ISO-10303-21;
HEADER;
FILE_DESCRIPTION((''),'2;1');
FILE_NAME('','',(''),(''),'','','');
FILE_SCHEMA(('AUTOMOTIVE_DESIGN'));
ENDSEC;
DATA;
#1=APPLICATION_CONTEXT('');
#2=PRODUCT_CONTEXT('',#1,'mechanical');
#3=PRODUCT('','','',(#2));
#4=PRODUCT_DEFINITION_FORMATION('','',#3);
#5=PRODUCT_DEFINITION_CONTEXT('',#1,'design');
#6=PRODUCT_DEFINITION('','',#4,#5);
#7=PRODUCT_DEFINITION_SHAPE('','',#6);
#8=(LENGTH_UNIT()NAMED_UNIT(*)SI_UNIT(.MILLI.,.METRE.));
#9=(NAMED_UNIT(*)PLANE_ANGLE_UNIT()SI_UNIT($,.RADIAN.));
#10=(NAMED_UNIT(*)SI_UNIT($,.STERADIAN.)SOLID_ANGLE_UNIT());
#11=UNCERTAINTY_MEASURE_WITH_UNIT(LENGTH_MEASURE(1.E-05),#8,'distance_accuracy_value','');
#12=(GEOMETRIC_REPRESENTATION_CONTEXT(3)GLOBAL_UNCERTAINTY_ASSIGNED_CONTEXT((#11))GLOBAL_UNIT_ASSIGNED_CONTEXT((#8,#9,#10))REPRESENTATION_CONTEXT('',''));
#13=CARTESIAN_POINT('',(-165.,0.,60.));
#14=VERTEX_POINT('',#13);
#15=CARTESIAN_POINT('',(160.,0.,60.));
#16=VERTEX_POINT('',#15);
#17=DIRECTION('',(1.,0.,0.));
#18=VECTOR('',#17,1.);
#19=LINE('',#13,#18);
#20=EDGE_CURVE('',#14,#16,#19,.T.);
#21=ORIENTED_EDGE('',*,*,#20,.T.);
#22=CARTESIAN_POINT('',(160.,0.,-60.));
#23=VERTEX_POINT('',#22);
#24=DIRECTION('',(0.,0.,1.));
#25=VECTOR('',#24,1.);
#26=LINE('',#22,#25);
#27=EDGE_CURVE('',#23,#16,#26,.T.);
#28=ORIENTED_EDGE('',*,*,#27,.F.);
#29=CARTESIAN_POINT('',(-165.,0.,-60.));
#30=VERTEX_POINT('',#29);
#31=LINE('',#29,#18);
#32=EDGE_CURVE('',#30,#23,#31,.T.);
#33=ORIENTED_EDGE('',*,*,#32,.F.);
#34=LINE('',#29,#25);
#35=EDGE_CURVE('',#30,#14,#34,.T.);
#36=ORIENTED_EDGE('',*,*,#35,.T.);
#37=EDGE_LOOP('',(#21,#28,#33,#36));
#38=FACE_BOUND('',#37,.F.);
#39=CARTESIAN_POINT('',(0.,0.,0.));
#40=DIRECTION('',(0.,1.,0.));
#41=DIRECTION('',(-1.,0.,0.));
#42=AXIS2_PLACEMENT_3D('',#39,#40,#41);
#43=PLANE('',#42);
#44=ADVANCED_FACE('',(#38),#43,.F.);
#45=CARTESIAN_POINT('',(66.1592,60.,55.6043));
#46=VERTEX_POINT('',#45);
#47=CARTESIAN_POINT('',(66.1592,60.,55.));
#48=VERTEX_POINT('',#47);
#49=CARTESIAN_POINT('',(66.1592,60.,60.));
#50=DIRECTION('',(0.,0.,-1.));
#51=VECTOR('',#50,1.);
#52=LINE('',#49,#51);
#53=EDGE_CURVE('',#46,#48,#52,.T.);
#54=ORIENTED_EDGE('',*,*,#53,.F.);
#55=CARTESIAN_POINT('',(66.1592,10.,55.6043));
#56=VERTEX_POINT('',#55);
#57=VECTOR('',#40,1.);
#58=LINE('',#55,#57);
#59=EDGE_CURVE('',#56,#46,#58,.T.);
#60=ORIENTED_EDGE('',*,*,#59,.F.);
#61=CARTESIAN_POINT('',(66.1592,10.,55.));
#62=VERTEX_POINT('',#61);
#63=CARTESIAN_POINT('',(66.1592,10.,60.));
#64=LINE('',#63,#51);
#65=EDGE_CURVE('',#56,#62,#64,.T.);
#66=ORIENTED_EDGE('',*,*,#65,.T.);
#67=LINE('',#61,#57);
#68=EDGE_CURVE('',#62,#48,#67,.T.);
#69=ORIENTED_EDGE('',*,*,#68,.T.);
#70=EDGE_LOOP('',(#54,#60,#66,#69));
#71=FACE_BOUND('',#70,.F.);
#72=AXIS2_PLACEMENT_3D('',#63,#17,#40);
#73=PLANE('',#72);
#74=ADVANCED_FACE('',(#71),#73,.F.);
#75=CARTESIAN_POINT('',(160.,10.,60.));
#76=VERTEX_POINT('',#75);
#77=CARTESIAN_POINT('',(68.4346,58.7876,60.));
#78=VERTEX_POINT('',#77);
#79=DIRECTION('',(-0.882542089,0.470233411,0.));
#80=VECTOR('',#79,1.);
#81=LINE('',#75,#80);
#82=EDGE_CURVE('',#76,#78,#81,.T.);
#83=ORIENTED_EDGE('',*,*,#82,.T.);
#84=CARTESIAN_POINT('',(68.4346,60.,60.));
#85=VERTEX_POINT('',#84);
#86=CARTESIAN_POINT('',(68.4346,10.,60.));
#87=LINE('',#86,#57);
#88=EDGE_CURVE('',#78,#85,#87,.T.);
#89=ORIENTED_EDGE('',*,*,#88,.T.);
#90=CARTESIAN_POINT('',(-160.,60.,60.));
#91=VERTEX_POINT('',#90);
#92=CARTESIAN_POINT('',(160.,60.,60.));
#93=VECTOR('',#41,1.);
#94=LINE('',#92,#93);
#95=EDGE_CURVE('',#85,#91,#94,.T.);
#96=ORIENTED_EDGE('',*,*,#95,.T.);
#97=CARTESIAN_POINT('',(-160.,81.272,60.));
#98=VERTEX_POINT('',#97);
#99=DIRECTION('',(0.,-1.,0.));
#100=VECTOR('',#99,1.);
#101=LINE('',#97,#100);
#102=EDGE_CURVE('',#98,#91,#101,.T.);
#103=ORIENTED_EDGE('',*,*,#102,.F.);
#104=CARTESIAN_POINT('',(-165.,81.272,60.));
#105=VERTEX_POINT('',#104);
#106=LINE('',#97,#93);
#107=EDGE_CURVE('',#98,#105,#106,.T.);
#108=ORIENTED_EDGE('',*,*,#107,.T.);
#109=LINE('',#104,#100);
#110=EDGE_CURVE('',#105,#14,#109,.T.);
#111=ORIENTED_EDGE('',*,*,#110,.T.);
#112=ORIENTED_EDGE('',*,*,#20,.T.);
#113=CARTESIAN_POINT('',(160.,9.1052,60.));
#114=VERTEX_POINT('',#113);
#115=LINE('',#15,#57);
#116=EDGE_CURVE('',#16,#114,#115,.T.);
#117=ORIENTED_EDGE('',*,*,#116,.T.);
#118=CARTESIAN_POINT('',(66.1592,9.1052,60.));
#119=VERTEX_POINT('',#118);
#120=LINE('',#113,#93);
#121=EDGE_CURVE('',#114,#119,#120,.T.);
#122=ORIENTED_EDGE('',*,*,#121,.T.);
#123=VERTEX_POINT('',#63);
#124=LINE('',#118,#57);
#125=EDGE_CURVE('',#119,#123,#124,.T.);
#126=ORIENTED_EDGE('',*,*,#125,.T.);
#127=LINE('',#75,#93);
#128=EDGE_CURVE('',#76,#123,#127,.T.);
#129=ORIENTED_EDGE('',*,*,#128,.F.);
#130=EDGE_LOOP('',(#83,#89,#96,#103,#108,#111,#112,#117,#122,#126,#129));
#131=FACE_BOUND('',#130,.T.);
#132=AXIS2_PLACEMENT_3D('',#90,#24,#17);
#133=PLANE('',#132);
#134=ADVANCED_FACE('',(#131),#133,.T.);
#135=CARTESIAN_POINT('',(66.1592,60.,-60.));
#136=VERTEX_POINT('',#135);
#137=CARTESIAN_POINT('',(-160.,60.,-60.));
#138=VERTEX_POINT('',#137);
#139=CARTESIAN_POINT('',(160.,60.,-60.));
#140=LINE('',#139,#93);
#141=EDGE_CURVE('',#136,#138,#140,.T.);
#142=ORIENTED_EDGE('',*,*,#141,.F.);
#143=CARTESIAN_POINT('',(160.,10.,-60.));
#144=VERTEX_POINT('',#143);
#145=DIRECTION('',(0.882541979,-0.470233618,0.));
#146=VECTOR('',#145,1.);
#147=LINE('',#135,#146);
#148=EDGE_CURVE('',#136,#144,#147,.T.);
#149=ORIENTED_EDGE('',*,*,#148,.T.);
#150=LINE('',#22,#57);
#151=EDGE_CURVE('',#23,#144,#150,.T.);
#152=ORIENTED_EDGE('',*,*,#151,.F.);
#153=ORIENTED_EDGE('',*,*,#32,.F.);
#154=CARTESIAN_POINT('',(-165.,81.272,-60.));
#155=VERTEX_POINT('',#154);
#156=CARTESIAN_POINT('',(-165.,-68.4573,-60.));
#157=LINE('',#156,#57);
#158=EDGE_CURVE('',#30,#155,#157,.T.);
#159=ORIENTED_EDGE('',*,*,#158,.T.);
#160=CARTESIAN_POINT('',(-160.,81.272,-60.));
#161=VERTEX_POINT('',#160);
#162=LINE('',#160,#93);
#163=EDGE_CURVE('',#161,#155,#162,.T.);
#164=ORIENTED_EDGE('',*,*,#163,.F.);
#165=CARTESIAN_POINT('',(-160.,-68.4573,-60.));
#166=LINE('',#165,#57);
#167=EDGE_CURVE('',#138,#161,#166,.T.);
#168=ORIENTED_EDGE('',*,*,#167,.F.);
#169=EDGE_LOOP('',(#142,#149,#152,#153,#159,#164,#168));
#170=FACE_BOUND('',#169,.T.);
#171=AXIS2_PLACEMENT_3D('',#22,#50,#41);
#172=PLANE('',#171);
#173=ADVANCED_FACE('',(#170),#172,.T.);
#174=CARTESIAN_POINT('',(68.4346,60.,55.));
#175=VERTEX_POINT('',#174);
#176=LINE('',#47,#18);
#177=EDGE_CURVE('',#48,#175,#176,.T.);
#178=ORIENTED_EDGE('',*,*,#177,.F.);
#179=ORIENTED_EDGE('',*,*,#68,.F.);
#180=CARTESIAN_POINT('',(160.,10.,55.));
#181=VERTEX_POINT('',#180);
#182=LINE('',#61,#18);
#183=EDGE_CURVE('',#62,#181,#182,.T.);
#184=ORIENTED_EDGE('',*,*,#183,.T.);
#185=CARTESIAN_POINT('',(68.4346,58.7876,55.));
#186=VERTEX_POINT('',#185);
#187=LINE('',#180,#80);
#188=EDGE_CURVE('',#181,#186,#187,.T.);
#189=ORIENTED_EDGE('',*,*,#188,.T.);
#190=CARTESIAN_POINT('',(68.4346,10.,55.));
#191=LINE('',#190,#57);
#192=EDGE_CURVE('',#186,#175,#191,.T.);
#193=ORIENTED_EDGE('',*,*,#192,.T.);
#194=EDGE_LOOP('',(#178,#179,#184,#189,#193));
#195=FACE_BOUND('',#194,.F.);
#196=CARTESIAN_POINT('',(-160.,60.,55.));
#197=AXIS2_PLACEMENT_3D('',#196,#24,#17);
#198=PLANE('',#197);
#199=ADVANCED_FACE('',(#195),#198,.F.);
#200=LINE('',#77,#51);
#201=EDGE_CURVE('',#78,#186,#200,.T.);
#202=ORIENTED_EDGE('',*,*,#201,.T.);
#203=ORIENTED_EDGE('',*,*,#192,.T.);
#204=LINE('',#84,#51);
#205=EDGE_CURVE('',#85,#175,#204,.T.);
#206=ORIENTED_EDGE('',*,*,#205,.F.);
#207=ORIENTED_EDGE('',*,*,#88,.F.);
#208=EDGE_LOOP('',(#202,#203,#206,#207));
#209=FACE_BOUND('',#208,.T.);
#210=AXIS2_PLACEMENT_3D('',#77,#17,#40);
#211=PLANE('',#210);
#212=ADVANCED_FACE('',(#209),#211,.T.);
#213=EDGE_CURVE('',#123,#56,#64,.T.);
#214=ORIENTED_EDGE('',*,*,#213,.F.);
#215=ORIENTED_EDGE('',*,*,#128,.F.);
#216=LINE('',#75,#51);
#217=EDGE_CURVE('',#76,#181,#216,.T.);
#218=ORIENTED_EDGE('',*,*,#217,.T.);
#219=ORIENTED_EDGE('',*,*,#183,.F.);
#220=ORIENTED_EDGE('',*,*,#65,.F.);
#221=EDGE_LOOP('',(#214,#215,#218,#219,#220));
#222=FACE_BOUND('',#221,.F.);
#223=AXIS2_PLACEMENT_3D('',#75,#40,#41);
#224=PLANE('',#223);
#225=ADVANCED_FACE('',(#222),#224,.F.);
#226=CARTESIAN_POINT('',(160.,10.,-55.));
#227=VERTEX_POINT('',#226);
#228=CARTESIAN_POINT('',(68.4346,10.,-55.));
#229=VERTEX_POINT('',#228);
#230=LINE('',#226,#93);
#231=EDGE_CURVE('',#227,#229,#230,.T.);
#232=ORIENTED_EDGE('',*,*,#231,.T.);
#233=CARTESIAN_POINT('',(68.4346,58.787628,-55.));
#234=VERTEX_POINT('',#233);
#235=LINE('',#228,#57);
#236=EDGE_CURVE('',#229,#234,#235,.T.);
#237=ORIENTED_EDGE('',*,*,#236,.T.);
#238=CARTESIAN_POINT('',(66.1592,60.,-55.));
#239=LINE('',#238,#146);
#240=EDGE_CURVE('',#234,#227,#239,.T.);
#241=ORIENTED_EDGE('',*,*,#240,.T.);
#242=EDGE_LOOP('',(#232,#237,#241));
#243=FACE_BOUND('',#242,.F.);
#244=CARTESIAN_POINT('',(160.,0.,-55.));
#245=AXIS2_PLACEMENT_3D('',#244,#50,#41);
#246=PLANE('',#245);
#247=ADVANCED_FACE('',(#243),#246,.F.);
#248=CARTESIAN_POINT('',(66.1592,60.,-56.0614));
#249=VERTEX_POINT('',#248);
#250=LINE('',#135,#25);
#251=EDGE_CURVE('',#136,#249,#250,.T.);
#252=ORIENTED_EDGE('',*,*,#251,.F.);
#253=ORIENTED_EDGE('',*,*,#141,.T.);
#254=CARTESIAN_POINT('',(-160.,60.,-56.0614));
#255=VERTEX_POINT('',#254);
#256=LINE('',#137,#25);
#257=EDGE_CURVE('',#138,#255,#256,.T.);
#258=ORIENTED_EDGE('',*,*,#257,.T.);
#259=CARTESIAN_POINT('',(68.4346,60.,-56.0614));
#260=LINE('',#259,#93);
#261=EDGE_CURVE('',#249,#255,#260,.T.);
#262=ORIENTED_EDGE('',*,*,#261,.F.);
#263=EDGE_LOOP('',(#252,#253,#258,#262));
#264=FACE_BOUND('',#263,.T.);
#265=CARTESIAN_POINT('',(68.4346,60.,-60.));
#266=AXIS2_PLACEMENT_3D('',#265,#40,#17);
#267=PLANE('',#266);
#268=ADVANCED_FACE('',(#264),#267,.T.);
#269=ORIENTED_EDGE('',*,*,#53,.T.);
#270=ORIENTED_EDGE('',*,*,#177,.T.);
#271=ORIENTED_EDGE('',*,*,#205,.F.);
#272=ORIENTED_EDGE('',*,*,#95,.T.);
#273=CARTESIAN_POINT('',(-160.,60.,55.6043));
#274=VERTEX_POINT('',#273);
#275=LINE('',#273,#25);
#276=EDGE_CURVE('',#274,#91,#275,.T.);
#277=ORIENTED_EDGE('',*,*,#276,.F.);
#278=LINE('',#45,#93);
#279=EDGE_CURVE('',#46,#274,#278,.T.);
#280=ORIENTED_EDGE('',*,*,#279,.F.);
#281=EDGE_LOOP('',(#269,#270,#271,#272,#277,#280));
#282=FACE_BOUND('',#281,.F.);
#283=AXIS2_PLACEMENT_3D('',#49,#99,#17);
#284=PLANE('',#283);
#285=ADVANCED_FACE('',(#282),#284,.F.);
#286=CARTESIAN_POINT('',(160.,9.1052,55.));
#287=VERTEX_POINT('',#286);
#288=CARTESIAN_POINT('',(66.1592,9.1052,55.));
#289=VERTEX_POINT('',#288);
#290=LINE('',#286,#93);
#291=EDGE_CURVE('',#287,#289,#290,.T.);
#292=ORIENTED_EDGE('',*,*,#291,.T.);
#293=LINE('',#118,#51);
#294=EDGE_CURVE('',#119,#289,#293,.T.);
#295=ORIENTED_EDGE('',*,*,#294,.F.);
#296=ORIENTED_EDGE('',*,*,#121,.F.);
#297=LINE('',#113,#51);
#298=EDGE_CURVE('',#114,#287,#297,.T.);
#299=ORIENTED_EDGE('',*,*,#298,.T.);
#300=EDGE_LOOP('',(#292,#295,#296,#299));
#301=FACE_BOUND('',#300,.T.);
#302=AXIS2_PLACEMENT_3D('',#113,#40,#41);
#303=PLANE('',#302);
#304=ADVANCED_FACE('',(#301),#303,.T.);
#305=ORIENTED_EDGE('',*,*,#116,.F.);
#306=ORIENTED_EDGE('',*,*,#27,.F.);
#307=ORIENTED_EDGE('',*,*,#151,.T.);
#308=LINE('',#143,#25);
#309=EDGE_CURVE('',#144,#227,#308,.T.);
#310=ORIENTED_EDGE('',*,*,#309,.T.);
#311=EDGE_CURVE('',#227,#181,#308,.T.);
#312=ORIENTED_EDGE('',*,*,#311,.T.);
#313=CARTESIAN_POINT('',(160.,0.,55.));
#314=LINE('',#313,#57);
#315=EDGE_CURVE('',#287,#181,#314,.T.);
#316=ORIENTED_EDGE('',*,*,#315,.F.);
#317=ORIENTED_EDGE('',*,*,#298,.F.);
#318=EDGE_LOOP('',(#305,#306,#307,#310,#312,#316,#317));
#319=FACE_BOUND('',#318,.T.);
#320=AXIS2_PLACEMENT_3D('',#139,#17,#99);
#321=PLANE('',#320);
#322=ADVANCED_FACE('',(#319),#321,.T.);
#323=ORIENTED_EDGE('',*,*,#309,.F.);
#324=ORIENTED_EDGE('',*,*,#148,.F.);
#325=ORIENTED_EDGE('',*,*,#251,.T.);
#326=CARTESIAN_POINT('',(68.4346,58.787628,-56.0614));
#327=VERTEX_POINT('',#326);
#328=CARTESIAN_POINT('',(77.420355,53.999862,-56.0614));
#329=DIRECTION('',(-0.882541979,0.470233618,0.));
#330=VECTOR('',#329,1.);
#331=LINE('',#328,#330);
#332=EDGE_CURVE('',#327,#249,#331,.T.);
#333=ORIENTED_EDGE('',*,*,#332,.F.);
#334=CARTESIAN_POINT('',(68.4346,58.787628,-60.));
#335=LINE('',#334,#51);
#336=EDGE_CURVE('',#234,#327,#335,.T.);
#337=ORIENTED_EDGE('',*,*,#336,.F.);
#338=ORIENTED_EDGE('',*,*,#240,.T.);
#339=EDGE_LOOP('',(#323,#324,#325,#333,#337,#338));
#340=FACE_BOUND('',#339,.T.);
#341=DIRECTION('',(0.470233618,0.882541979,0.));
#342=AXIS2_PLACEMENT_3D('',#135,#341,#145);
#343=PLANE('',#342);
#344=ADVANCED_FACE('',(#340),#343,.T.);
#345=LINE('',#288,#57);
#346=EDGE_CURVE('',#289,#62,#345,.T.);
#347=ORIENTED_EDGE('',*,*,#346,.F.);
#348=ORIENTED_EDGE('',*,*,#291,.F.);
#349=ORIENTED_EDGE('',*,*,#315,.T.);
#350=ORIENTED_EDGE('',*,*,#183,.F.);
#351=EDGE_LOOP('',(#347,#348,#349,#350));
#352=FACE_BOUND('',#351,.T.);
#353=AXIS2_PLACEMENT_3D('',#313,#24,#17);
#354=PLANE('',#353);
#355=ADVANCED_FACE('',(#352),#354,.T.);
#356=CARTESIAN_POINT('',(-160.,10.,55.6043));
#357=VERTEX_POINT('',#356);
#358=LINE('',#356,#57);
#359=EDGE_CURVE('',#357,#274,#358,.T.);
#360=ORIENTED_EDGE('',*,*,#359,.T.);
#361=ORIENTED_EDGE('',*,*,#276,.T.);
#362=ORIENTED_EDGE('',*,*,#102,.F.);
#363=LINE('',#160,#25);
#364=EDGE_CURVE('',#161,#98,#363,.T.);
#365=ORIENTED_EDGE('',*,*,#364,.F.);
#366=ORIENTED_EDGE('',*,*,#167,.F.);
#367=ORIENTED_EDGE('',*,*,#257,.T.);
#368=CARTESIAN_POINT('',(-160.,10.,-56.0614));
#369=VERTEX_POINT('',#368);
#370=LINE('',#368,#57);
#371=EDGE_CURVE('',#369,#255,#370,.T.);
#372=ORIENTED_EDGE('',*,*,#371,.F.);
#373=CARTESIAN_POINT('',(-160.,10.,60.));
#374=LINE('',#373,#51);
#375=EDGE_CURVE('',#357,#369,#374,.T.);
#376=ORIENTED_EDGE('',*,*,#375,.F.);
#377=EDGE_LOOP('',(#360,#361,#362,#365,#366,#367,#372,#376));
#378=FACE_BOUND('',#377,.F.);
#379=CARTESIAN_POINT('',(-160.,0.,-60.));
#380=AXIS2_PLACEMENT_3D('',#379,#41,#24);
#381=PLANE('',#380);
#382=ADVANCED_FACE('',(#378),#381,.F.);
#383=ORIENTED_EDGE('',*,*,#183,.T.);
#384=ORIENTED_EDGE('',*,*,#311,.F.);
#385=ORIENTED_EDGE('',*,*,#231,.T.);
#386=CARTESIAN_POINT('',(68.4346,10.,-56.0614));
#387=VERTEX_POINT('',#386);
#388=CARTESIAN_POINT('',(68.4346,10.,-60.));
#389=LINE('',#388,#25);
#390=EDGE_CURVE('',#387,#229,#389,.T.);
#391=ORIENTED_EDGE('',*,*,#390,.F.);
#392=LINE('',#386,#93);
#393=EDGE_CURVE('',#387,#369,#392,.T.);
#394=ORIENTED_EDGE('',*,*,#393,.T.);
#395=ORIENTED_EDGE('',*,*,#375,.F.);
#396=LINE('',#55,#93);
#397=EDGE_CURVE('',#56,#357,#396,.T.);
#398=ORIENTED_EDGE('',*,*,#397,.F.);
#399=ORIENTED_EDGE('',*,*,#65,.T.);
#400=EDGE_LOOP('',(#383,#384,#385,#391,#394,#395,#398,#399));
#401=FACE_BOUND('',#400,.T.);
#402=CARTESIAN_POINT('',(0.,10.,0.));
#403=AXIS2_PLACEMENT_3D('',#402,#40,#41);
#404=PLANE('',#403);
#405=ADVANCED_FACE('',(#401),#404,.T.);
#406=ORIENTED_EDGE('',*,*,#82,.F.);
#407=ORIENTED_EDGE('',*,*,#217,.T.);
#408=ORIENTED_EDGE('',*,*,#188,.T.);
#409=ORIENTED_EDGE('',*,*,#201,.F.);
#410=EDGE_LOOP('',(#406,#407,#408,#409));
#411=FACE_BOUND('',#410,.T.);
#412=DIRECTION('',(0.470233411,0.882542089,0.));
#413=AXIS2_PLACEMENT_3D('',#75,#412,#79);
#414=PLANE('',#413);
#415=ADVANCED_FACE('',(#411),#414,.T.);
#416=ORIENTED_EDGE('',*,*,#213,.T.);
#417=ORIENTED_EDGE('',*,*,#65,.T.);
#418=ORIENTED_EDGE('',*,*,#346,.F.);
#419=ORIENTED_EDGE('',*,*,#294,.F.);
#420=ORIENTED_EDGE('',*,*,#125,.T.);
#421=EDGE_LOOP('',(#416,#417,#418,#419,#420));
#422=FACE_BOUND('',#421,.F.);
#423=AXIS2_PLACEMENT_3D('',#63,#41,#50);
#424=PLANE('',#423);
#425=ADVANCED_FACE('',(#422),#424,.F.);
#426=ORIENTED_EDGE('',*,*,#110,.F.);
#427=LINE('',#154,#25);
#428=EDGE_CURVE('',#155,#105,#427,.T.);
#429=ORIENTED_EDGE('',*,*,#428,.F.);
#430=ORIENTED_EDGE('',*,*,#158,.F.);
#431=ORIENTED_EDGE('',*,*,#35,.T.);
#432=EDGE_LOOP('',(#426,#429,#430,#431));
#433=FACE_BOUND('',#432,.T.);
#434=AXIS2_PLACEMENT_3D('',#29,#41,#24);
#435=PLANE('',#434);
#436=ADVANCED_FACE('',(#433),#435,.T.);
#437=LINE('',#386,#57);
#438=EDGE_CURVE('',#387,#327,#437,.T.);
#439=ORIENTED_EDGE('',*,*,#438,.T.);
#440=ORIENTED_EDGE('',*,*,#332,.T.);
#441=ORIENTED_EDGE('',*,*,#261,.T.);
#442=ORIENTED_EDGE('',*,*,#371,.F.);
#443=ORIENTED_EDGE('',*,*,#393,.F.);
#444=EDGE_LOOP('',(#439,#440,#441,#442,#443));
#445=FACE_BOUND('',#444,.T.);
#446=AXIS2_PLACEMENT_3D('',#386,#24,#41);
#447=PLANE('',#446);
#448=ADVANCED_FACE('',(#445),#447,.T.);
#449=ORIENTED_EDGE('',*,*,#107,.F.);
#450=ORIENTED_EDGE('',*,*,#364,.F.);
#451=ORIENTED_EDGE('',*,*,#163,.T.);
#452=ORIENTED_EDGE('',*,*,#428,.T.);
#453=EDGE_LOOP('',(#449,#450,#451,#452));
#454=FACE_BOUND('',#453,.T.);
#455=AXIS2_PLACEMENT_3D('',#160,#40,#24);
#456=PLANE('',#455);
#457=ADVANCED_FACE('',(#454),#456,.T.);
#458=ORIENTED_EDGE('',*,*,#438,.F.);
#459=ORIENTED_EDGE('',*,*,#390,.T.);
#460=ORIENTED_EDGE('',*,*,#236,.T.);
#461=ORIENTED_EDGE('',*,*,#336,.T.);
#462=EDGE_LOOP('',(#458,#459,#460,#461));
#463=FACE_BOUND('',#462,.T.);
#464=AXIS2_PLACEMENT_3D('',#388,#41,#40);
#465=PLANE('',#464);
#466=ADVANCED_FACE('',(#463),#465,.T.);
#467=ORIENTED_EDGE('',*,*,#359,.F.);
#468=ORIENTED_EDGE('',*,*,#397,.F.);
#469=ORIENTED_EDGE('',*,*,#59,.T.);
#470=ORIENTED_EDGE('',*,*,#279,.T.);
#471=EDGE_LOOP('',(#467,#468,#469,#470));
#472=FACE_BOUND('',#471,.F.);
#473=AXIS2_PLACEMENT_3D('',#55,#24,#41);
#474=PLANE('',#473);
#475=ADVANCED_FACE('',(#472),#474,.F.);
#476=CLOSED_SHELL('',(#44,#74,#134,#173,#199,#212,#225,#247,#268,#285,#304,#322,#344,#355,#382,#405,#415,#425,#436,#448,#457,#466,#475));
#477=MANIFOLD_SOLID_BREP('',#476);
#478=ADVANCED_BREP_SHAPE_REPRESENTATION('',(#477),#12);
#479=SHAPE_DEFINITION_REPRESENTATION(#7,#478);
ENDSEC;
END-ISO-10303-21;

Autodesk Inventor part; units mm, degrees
ref_plane "YZ Plane" through (0, 0, 0) normal (1, 0, 0) x (0, 1, 0)
ref_plane "XZ Plane" through (0, 0, 0) normal (0, 1, 0) x (-1, 0, 0)
ref_plane "XY Plane" through (0, 0, 0) normal (0, 0, 1) x (1, 0, 0)
sketch "Sketch1" plane through (0, 0, 0) normal (0, 1, 0) x (-1, 0, 0)
  line L0 (-160, 60) -> (160, 60)
  line L1 (160, 60) -> (160, -60)
  line L2 (160, -60) -> (-160, -60)
  line L3 (-160, -60) -> (-160, 60)
  line L4 (-160, 60) -> (160, -60) construction
  line L5 (160, 60) -> (-160, -60) construction
  line L6 (-27.6343, -87.1189) -> (-42.3128, -87.1189)
  line L7 (-42.3128, -87.1189) -> (-42.3128, -133.601)
  line L8 (-42.3128, -133.601) -> (-27.6343, -133.601)
  line L9 (-27.6343, -133.601) -> (-27.6343, -87.1189)
  line L10 (-27.6343, -87.1189) -> (-42.3128, -133.601) construction
  line L11 (-42.3128, -87.1189) -> (-27.6343, -133.601) construction
  point P0 (0, 0)
  point P1 (-34.9736, -110.3599)
  dimension "d0" = 320
  dimension "d1" = 120
extrude "Extrusion1" add sketch "Sketch1" along normal blind 10 contours L0 L1 L2 L3
sketch "Sketch2" plane through (0, 10, 0) normal (0, 1, 0) x (1, 0, 0)
  line L0 (-160, -60) -> (160, -60) projected
  line L1 (-160, -60) -> (66.1592, -60)
  line L2 (66.1592, -60) -> (66.1592, -55.6043)
  line L3 (66.1592, -55.6043) -> (-160, -55.6043)
  line L4 (-160, -55.6043) -> (-160, -60)
  point P0 (0, 0)
extrude "Extrusion2" add sketch "Sketch2" along normal blind 50
sketch "Sketch3" plane through (0, 10, 0) normal (0, 1, 0) x (1, 0, 0)
  line L0 (-160, 60) -> (-160, -60) projected
  line L1 (-160, 60) -> (68.4346, 60)
  line L2 (68.4346, 60) -> (68.4346, 56.0614)
  line L3 (68.4346, 56.0614) -> (-160, 56.0614)
  line L4 (-160, 56.0614) -> (-160, 60)
  point P0 (0, 0)
extrude "Extrusion3" add sketch "Sketch3" along normal blind 50
sketch "Sketch4" plane through (-160, 0, -60) normal (-1, 0, 0) x (0, 0, 1)
  line L0 (120, -68.4573) -> (0, -68.4573)
  line L1 (0, -68.4573) -> (0, 81.272)
  line L2 (0, 81.272) -> (120, 81.272)
  line L3 (120, 81.272) -> (120, -68.4573)
  line L4 (120, -68.4573) -> (0, 81.272) construction
  line L5 (0, -68.4573) -> (120, 81.272) construction
  point P0 (60, 0)
  point P1 (60, 6.4073)
extrude "Extrusion4" add sketch "Sketch4" along normal blind 5
sketch "Sketch5" plane through (-165, 0, -60) normal (-1, 0, 0) x (0, 0, 1)
  line L0 (120, -68.4573) -> (120, 81.272) projected
  line L1 (0, 0) -> (120, 0)
  line L2 (120, 0) -> (120, -68.4573)
  line L3 (120, -68.4573) -> (0, -68.4573)
  line L4 (0, -68.4573) -> (0, 0)
  point P0 (60, 0)
extrude "Extrusion5" cut sketch "Sketch5" against normal blind 5
sketch "Sketch6" plane through (160, 0, -60) normal (0, 0, -1) x (-1, 0, 0)
  line L0 (91.5654, 10) -> (91.5654, 60) projected
  line L1 (0, 0) -> (0, 10) projected
  line L2 (91.5654, 60) -> (0, 60)
  line L3 (0, 60) -> (0, 10)
  line L4 (0, 10) -> (91.5654, 10)
  line L5 (91.5654, 10) -> (91.5654, 60)
  point P0 (160, 0)
extrude "Extrusion6" add sketch "Sketch6" against normal blind 5
sketch "Sketch7" plane through (160, 0, 60) normal (0, 0, 1) x (1, 0, 0)
  line L0 (-93.8408, 10) -> (-93.8408, 60) projected
  line L1 (0, 0) -> (0, 60) projected
  line L2 (-93.8408, 60) -> (0, 60)
  line L3 (0, 60) -> (0, 9.1052)
  line L4 (0, 9.1052) -> (-93.8408, 9.1052)
  line L5 (-93.8408, 9.1052) -> (-93.8408, 60)
  point P0 (-160, 0)
extrude "Extrusion7" cut sketch "Sketch7" against normal blind 5
sketch "Sketch8" plane through (-160, 60, 60) normal (0, 0, 1) x (1, 0, 0)
  line L0 (320, -50) -> (228.4346, -50) projected
  line L1 (226.1592, 0) -> (320, 0)
  line L2 (320, 0) -> (320, -50)
  line L3 (320, -50) -> (226.1592, -50)
  line L4 (226.1592, -50) -> (226.1592, 0)
  point P0 (160, -60)
extrude "Extrusion8" add sketch "Sketch8" against normal blind 5
sketch "Sketch9" plane through (160, 0, -60) normal (0, 0, -1) x (-1, 0, 0)
  line L0 (93.8408, 10) -> (93.8408, 60) projected
  line L1 (0, 10) -> (91.5654, 10) projected
  line L2 (93.8408, 60) -> (0, 10)
  line L3 (0, 10) -> (0, 60)
  line L4 (0, 60) -> (93.8408, 60)
  point P0 (160, 0)
extrude "Extrusion9" cut sketch "Sketch9" against normal blind 5
sketch "Sketch10" plane through (-160, 60, 55) normal (0, 0, -1) x (-1, 0, 0)
  point P0 (-160, -60)
sketch "Sketch11" plane through (-160, 60, 60) normal (0, 0, 1) x (1, 0, 0)
  line L0 (228.4346, -50) -> (228.4346, 0)
  line L1 (0, 0) -> (320, 0) projected
  line L2 (320, -50) -> (320, 0) projected
  line L3 (320, -50) -> (228.4346, -1.2124) projected
  line L4 (320, -50) -> (228.4346, -1.2124)
  line L5 (228.4346, -1.2124) -> (228.4346, -50)
  line L6 (320, -60) -> (-5, -60) projected
  point P0 (160, -60)
extrude "Extrusion10" cut sketch "Sketch11" against normal blind 5
properties part number "Storagecontainer"
